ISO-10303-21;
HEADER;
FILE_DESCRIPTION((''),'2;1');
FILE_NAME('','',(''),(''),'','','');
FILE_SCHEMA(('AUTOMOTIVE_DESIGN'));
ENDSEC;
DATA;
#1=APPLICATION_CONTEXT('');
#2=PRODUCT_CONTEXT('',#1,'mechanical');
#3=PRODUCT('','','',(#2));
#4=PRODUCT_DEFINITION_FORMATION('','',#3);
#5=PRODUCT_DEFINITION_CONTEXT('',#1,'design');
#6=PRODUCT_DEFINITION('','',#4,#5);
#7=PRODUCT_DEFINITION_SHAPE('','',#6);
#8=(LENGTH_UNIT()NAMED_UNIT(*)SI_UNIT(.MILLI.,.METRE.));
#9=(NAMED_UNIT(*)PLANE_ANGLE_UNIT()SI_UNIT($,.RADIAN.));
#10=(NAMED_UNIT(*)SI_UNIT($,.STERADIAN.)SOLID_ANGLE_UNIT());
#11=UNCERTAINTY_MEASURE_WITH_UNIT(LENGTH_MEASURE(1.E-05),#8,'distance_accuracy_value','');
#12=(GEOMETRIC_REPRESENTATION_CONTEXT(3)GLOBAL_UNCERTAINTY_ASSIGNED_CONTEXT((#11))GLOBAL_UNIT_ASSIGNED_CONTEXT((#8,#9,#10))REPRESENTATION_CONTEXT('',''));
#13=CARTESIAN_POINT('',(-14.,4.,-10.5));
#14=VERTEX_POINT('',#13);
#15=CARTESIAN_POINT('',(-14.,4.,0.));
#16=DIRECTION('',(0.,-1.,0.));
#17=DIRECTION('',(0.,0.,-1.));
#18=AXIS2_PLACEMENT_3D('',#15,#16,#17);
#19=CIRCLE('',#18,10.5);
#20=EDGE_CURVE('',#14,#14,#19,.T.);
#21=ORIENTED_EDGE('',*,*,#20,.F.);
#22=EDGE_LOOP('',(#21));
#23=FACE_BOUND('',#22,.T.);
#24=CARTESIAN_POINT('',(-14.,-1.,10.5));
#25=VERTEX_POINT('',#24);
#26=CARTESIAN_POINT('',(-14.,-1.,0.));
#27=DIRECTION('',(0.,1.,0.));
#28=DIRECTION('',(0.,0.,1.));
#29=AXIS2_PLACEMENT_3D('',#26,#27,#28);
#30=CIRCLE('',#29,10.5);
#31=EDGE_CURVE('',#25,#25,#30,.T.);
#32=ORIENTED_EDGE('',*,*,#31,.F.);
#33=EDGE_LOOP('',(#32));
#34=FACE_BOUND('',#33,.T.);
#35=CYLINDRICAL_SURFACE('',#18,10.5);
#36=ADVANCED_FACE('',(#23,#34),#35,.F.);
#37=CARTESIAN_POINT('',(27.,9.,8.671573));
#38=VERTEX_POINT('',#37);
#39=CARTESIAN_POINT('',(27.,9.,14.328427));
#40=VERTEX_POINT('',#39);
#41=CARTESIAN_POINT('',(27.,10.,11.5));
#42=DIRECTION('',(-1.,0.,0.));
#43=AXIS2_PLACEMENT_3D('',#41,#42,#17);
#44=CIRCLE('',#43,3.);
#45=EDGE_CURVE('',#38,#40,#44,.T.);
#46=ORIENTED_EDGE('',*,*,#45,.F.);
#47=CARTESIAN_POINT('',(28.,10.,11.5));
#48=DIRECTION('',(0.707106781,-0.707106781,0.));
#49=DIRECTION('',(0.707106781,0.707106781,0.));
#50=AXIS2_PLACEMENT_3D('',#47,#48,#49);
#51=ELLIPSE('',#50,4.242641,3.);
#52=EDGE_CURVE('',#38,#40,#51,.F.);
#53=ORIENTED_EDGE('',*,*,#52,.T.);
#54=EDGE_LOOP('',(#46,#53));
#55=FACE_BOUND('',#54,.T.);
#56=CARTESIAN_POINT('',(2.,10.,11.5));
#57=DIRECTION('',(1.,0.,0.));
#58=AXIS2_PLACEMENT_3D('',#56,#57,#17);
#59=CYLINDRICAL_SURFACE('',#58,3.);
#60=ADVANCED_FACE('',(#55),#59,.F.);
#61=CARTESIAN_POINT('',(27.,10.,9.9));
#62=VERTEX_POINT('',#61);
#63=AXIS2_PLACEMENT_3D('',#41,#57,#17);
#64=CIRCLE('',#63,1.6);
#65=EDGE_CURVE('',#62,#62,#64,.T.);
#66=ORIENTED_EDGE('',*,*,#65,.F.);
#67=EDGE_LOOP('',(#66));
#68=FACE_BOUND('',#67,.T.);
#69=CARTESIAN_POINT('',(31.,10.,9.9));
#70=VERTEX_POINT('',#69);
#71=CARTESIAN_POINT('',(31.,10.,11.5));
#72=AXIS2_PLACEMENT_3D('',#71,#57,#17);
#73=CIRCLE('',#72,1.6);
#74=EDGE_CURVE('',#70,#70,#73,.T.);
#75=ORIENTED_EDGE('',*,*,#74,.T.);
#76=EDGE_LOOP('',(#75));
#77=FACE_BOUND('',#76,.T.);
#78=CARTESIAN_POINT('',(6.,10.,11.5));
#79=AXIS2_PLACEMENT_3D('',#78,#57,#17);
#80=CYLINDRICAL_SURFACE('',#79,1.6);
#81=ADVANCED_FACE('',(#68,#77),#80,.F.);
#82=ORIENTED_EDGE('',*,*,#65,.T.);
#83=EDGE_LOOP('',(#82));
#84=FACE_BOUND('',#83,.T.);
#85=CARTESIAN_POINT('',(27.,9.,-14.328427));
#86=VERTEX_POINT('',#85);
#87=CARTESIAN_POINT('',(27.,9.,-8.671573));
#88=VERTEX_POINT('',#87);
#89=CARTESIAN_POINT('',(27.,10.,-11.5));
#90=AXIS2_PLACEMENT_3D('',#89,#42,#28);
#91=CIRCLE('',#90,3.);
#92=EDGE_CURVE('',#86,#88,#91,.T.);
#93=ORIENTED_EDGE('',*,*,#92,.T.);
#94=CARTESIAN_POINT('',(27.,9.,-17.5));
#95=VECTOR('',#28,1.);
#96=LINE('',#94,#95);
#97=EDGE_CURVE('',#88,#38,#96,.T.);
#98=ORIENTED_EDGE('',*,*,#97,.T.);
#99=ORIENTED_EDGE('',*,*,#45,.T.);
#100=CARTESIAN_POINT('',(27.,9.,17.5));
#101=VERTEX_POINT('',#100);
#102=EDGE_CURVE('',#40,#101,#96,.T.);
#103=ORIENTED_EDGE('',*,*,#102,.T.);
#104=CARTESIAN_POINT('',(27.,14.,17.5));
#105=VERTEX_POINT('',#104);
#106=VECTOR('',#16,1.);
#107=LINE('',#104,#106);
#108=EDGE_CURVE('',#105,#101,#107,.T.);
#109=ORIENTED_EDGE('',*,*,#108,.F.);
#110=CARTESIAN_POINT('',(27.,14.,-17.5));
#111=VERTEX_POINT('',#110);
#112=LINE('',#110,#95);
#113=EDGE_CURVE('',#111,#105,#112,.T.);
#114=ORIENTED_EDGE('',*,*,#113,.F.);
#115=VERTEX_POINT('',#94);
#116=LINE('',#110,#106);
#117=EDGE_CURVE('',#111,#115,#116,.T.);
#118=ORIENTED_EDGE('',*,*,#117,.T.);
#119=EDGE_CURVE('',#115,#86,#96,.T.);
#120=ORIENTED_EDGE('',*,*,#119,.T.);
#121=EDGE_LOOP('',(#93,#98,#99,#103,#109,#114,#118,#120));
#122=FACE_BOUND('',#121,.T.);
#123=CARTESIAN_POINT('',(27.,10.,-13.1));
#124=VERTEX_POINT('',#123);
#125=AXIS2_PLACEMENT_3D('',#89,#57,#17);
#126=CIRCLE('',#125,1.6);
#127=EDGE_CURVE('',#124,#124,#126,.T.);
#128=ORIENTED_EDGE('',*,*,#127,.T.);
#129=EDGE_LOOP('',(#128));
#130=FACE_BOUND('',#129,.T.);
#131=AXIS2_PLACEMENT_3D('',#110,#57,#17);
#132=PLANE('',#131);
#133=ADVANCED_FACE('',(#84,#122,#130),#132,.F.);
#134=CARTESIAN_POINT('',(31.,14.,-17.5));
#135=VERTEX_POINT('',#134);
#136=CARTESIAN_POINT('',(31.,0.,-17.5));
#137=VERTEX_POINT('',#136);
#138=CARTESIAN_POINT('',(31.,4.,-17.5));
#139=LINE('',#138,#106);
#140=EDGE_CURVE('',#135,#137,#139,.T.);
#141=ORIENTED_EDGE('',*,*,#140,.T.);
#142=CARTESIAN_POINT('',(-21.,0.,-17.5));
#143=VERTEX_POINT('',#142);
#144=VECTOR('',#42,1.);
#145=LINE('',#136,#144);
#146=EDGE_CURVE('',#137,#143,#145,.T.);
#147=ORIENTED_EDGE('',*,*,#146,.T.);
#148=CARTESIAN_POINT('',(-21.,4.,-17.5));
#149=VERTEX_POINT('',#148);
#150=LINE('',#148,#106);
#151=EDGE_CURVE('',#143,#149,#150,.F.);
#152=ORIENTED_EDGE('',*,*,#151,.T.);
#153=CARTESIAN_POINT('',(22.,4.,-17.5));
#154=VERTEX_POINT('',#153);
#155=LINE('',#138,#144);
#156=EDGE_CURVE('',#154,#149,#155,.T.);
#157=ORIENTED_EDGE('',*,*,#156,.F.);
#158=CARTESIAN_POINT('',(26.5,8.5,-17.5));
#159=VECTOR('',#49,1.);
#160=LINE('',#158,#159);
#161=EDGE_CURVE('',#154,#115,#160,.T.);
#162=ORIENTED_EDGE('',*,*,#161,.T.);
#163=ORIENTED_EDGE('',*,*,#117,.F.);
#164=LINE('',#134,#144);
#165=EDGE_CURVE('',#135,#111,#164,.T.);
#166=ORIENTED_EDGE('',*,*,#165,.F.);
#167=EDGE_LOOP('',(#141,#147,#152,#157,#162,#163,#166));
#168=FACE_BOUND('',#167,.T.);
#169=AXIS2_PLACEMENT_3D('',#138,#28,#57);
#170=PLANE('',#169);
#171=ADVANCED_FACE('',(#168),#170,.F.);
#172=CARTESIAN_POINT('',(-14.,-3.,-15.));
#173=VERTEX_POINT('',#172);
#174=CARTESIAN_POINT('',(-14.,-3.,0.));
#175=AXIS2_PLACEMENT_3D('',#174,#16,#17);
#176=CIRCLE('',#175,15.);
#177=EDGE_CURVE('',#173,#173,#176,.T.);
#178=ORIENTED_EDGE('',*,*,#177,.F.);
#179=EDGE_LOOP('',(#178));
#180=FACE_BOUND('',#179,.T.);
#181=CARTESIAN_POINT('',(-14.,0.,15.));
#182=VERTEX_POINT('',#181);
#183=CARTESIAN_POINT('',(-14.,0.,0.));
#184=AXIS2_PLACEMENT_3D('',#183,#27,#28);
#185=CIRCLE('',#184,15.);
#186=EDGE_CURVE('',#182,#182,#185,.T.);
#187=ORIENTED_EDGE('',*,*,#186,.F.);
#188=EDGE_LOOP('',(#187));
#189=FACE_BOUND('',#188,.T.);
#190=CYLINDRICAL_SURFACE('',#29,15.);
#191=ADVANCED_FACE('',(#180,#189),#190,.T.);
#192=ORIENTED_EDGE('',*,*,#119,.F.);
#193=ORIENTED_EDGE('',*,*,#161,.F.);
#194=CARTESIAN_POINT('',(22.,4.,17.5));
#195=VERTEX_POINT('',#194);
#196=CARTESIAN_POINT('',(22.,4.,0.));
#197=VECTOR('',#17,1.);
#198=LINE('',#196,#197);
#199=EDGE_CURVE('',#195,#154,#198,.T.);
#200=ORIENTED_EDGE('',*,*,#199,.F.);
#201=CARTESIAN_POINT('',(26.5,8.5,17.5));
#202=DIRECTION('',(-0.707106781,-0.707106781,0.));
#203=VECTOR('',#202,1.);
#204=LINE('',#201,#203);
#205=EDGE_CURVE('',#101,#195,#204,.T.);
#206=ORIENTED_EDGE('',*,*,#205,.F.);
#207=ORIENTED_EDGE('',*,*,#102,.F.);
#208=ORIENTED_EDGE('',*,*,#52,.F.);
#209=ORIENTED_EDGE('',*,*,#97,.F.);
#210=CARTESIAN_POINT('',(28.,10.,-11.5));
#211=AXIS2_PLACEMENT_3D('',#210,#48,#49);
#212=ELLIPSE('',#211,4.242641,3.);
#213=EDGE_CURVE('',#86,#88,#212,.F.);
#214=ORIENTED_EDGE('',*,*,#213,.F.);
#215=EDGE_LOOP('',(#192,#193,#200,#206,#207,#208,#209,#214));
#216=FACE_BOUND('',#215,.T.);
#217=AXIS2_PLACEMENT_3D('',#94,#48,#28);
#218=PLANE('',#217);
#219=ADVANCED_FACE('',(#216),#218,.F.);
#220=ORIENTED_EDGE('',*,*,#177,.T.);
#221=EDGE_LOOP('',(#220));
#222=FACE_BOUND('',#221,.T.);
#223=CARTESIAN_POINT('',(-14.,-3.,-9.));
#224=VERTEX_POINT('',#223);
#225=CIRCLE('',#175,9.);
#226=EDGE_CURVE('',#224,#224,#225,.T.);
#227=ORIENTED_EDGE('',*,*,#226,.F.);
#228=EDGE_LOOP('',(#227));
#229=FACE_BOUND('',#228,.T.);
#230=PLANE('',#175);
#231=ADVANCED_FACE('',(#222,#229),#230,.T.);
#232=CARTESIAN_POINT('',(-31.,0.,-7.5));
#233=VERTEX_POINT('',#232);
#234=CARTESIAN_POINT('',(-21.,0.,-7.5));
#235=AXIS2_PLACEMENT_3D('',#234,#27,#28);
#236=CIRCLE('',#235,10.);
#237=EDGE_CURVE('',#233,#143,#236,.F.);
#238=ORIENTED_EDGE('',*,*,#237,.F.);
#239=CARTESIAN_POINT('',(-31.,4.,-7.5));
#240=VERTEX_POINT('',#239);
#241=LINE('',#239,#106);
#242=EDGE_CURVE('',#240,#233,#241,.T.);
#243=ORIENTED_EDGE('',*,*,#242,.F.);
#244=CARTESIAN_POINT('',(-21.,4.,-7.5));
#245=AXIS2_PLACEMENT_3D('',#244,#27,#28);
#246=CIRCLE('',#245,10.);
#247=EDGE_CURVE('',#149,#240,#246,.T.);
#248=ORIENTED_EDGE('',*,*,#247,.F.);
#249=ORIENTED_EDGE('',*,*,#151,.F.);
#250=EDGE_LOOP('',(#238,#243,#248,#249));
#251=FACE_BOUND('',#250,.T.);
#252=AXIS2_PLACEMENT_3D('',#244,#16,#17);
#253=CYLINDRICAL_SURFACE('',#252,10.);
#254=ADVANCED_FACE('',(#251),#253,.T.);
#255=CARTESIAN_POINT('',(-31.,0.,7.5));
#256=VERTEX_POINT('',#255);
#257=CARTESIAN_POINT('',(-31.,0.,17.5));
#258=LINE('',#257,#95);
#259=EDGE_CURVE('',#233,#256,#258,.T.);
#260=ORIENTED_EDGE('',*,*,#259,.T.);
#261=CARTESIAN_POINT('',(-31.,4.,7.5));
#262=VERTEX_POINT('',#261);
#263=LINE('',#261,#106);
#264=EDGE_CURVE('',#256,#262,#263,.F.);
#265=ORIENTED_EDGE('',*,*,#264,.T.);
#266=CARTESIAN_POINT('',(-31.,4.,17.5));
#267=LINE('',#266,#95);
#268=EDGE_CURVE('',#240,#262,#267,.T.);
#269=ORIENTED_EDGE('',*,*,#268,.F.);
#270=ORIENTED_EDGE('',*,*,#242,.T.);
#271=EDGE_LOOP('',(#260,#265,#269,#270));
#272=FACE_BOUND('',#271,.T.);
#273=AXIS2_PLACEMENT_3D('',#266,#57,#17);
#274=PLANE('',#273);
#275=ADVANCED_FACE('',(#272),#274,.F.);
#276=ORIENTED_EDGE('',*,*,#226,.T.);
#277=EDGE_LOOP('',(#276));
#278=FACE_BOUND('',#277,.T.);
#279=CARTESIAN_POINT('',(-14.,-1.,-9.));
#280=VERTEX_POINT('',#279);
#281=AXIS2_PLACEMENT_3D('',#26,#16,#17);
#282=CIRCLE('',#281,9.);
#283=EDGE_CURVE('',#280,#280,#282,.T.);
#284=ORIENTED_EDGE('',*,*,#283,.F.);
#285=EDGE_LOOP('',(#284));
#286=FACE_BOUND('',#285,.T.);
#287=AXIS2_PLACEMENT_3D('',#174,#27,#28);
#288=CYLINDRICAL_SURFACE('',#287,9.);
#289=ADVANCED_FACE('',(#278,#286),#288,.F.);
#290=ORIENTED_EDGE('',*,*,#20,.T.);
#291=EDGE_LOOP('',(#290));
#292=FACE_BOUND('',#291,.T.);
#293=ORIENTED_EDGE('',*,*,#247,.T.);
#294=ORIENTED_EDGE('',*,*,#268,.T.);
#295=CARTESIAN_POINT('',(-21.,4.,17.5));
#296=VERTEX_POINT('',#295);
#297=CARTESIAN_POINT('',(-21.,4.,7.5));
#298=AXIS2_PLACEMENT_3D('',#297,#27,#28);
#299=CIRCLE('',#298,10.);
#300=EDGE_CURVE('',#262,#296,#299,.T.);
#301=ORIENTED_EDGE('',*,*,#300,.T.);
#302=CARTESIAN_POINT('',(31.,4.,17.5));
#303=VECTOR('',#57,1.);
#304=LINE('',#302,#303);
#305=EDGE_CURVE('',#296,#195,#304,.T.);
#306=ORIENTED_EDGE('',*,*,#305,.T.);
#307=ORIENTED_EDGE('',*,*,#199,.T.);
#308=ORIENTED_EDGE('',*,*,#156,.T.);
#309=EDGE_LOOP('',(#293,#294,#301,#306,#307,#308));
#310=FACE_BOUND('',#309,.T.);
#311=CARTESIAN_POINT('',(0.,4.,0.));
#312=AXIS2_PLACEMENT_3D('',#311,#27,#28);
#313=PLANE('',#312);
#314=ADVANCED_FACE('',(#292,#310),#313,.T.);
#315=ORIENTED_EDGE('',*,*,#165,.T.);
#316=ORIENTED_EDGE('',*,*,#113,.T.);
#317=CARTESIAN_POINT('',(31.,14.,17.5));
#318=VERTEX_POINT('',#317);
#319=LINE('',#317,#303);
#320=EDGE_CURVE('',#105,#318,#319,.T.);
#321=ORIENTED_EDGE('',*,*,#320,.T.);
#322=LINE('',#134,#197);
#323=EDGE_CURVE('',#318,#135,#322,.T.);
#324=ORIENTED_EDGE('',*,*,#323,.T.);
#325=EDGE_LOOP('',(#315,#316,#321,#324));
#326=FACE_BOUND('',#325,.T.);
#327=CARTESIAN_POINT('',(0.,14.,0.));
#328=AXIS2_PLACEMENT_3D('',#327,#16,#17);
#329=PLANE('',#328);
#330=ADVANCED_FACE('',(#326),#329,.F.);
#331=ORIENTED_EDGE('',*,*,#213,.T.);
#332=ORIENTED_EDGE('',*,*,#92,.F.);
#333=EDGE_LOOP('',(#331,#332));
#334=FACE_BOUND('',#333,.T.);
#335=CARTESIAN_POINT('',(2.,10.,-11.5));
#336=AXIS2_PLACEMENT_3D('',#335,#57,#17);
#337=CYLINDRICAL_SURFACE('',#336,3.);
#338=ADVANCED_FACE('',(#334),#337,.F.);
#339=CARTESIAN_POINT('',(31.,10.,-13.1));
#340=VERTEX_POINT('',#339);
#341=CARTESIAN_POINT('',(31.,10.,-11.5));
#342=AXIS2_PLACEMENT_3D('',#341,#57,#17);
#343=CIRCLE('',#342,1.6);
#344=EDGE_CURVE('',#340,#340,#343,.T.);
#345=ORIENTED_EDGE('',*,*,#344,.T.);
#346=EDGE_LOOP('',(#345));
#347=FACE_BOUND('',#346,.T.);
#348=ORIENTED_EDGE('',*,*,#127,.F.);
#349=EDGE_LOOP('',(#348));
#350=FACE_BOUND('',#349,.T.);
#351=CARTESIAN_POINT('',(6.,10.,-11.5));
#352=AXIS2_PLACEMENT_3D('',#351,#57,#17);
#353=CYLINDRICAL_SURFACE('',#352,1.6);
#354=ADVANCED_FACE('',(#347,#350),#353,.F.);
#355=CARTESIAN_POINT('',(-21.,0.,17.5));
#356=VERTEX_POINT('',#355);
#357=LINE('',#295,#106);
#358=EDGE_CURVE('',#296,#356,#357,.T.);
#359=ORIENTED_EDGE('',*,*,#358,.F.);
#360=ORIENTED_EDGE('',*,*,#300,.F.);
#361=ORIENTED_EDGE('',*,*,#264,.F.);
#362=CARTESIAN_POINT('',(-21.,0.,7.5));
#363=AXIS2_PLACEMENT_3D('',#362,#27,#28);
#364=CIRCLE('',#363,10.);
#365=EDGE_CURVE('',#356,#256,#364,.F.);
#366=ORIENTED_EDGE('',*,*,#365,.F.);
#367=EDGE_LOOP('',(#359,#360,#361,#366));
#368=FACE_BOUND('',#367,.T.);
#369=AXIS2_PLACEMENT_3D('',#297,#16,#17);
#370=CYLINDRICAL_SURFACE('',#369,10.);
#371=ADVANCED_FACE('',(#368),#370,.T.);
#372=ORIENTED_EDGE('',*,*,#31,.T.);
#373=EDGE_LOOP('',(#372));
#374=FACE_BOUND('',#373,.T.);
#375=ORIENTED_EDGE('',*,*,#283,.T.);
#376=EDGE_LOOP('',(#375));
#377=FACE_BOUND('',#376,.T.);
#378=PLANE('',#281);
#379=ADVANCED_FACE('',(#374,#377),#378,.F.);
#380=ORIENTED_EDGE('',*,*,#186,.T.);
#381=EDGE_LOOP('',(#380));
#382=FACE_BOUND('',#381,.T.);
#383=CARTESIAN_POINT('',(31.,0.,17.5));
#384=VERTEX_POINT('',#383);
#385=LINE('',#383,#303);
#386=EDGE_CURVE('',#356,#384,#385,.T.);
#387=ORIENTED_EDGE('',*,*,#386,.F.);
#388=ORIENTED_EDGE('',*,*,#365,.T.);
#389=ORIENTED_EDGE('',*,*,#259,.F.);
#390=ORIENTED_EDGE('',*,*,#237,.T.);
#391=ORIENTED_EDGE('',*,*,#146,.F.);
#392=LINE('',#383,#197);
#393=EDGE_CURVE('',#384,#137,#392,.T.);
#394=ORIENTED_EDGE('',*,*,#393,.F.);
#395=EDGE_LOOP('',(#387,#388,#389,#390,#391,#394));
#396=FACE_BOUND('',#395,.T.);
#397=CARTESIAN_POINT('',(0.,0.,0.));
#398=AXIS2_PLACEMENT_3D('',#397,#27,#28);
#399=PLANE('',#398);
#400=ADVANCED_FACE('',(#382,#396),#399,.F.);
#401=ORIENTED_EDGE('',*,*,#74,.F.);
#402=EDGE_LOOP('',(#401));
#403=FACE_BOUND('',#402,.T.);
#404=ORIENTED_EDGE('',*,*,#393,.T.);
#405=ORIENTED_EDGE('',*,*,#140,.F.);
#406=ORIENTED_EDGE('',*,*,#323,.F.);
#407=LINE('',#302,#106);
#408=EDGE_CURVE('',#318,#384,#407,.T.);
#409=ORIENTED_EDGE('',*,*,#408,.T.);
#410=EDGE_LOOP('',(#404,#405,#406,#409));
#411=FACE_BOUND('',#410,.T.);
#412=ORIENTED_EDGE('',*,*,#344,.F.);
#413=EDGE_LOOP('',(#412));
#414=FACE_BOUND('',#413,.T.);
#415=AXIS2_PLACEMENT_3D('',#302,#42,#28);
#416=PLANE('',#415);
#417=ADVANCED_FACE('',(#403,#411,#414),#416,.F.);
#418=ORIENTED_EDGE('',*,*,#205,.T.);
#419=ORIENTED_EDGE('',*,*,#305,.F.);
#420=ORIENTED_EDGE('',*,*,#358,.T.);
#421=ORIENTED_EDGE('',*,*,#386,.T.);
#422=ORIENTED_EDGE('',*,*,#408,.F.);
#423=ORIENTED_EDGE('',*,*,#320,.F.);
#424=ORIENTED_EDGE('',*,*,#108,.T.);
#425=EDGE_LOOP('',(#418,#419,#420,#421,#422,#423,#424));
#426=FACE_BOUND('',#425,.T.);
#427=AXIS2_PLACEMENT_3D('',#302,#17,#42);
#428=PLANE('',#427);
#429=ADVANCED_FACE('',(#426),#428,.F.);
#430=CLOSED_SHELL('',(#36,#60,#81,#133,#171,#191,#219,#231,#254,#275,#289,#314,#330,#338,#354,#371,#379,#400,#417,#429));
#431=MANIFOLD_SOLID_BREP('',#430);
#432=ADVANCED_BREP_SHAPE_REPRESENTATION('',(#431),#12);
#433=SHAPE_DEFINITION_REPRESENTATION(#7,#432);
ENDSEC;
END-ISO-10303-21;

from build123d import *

# Parameters (mm, degrees)
SKETCH_1_W           = 62
SKETCH_1_H           = 35
SKETCH_1_R           = 10.5
EXTRUDE_1_DEPTH      = 4
SKETCH_3_R           = 15
SKETCH_3_R_2         = 10.5
EXTRUDE_2_DEPTH      = 5
EXTRUDE_2_DEPTH_BACK = 1
FILLET_1_R           = 10
SKETCH_4_W           = 4
SKETCH_4_H           = 35
EXTRUDE_3_DEPTH      = 10
CHAMFER_1_SIZE       = 5
SKETCH_5_R           = 1.6
CUT_EXTRUDE_1_DEPTH  = 25
SKETCH_6_R           = 3
CUT_EXTRUDE_2_DEPTH  = 25
SKETCH_7_W           = 33.228870124
SKETCH_7_H           = 2.665820387
CUT_EXTRUDE_3_DEPTH  = 50
SKETCH_8_R           = 15
SKETCH_8_R_2         = 9
EXTRUDE_4_DEPTH      = 2


with BuildPart() as part:
    # Эскиз1 → Бобышка-Вытянуть1 (new body)
    with BuildSketch(Plane(origin=(0, 0, 0), x_dir=(1, 0, 0), z_dir=(0, 1, 0))):
        Rectangle(SKETCH_1_W, SKETCH_1_H)
        with Locations((-14, 0)):
            Circle(SKETCH_1_R, mode=Mode.SUBTRACT)
    extrude(amount=EXTRUDE_1_DEPTH)

    # Эскиз3 → Бобышка-Вытянуть2 (add, two sides)
    with BuildSketch(Plane(origin=(0, 0, 0), x_dir=(1, 0, 0), z_dir=(0, 1, 0))) as extrude_2_sk:
        with Locations((-14, 0)):
            Circle(SKETCH_3_R)
        with Locations((-14, 0)):
            Circle(SKETCH_3_R_2, mode=Mode.SUBTRACT)
    extrude(amount=EXTRUDE_2_DEPTH)
    extrude(extrude_2_sk.sketch, amount=-EXTRUDE_2_DEPTH_BACK)

    # Скругление1
    fillet_1_edges = [part.edges().sort_by_distance(p)[0] for p in [
        (-31, 2, -17.5),
        (-31, 2, 17.5),
    ]]
    fillet(fillet_1_edges, radius=FILLET_1_R)

    # Эскиз4 → Бобышка-Вытянуть3 (add)
    with BuildSketch(Plane(origin=(0, 4, 0), x_dir=(1, 0, 0), z_dir=(0, 1, 0))):
        with Locations((29, 0)):
            Rectangle(SKETCH_4_W, SKETCH_4_H)
    extrude(amount=EXTRUDE_3_DEPTH)

    # Фаска1
    chamfer_1_edges = [part.edges().sort_by_distance(p)[0] for p in [
        (27, 4, 0),
    ]]
    chamfer(chamfer_1_edges, length=CHAMFER_1_SIZE)

    # Эскиз5 → Вырез-Вытянуть1 (cut)
    with BuildSketch(Plane(origin=(31, 0, 0), x_dir=(0, 0, -1), z_dir=(1, 0, 0))):
        with Locations((-11.5, 10)):
            Circle(SKETCH_5_R)
        with Locations((11.5, 10)):
            Circle(SKETCH_5_R)
    extrude(amount=-CUT_EXTRUDE_1_DEPTH, mode=Mode.SUBTRACT)

    # Эскиз6 → Вырез-Вытянуть2 (cut)
    with BuildSketch(Plane.ZY.offset(-27)):
        with Locations((-11.5, 10)):
            Circle(SKETCH_6_R)
        with Locations((11.5, 10)):
            Circle(SKETCH_6_R)
    extrude(amount=CUT_EXTRUDE_2_DEPTH, mode=Mode.SUBTRACT)

    # Эскиз7 → Вырез-Вытянуть3 (cut)
    with BuildSketch(Plane.XY.offset(17.5)):
        with Locations((-14.385564938, 5.332910194)):
            Rectangle(SKETCH_7_W, SKETCH_7_H)
    extrude(amount=-CUT_EXTRUDE_3_DEPTH, mode=Mode.SUBTRACT)

    # Эскиз8 → Бобышка-Вытянуть4 (add)
    with BuildSketch(Plane.XZ.offset(1)):
        with Locations((-14, 0)):
            Circle(SKETCH_8_R)
        with Locations((-14, 0)):
            Circle(SKETCH_8_R_2, mode=Mode.SUBTRACT)
    extrude(amount=EXTRUDE_4_DEPTH)


solid = part.part
